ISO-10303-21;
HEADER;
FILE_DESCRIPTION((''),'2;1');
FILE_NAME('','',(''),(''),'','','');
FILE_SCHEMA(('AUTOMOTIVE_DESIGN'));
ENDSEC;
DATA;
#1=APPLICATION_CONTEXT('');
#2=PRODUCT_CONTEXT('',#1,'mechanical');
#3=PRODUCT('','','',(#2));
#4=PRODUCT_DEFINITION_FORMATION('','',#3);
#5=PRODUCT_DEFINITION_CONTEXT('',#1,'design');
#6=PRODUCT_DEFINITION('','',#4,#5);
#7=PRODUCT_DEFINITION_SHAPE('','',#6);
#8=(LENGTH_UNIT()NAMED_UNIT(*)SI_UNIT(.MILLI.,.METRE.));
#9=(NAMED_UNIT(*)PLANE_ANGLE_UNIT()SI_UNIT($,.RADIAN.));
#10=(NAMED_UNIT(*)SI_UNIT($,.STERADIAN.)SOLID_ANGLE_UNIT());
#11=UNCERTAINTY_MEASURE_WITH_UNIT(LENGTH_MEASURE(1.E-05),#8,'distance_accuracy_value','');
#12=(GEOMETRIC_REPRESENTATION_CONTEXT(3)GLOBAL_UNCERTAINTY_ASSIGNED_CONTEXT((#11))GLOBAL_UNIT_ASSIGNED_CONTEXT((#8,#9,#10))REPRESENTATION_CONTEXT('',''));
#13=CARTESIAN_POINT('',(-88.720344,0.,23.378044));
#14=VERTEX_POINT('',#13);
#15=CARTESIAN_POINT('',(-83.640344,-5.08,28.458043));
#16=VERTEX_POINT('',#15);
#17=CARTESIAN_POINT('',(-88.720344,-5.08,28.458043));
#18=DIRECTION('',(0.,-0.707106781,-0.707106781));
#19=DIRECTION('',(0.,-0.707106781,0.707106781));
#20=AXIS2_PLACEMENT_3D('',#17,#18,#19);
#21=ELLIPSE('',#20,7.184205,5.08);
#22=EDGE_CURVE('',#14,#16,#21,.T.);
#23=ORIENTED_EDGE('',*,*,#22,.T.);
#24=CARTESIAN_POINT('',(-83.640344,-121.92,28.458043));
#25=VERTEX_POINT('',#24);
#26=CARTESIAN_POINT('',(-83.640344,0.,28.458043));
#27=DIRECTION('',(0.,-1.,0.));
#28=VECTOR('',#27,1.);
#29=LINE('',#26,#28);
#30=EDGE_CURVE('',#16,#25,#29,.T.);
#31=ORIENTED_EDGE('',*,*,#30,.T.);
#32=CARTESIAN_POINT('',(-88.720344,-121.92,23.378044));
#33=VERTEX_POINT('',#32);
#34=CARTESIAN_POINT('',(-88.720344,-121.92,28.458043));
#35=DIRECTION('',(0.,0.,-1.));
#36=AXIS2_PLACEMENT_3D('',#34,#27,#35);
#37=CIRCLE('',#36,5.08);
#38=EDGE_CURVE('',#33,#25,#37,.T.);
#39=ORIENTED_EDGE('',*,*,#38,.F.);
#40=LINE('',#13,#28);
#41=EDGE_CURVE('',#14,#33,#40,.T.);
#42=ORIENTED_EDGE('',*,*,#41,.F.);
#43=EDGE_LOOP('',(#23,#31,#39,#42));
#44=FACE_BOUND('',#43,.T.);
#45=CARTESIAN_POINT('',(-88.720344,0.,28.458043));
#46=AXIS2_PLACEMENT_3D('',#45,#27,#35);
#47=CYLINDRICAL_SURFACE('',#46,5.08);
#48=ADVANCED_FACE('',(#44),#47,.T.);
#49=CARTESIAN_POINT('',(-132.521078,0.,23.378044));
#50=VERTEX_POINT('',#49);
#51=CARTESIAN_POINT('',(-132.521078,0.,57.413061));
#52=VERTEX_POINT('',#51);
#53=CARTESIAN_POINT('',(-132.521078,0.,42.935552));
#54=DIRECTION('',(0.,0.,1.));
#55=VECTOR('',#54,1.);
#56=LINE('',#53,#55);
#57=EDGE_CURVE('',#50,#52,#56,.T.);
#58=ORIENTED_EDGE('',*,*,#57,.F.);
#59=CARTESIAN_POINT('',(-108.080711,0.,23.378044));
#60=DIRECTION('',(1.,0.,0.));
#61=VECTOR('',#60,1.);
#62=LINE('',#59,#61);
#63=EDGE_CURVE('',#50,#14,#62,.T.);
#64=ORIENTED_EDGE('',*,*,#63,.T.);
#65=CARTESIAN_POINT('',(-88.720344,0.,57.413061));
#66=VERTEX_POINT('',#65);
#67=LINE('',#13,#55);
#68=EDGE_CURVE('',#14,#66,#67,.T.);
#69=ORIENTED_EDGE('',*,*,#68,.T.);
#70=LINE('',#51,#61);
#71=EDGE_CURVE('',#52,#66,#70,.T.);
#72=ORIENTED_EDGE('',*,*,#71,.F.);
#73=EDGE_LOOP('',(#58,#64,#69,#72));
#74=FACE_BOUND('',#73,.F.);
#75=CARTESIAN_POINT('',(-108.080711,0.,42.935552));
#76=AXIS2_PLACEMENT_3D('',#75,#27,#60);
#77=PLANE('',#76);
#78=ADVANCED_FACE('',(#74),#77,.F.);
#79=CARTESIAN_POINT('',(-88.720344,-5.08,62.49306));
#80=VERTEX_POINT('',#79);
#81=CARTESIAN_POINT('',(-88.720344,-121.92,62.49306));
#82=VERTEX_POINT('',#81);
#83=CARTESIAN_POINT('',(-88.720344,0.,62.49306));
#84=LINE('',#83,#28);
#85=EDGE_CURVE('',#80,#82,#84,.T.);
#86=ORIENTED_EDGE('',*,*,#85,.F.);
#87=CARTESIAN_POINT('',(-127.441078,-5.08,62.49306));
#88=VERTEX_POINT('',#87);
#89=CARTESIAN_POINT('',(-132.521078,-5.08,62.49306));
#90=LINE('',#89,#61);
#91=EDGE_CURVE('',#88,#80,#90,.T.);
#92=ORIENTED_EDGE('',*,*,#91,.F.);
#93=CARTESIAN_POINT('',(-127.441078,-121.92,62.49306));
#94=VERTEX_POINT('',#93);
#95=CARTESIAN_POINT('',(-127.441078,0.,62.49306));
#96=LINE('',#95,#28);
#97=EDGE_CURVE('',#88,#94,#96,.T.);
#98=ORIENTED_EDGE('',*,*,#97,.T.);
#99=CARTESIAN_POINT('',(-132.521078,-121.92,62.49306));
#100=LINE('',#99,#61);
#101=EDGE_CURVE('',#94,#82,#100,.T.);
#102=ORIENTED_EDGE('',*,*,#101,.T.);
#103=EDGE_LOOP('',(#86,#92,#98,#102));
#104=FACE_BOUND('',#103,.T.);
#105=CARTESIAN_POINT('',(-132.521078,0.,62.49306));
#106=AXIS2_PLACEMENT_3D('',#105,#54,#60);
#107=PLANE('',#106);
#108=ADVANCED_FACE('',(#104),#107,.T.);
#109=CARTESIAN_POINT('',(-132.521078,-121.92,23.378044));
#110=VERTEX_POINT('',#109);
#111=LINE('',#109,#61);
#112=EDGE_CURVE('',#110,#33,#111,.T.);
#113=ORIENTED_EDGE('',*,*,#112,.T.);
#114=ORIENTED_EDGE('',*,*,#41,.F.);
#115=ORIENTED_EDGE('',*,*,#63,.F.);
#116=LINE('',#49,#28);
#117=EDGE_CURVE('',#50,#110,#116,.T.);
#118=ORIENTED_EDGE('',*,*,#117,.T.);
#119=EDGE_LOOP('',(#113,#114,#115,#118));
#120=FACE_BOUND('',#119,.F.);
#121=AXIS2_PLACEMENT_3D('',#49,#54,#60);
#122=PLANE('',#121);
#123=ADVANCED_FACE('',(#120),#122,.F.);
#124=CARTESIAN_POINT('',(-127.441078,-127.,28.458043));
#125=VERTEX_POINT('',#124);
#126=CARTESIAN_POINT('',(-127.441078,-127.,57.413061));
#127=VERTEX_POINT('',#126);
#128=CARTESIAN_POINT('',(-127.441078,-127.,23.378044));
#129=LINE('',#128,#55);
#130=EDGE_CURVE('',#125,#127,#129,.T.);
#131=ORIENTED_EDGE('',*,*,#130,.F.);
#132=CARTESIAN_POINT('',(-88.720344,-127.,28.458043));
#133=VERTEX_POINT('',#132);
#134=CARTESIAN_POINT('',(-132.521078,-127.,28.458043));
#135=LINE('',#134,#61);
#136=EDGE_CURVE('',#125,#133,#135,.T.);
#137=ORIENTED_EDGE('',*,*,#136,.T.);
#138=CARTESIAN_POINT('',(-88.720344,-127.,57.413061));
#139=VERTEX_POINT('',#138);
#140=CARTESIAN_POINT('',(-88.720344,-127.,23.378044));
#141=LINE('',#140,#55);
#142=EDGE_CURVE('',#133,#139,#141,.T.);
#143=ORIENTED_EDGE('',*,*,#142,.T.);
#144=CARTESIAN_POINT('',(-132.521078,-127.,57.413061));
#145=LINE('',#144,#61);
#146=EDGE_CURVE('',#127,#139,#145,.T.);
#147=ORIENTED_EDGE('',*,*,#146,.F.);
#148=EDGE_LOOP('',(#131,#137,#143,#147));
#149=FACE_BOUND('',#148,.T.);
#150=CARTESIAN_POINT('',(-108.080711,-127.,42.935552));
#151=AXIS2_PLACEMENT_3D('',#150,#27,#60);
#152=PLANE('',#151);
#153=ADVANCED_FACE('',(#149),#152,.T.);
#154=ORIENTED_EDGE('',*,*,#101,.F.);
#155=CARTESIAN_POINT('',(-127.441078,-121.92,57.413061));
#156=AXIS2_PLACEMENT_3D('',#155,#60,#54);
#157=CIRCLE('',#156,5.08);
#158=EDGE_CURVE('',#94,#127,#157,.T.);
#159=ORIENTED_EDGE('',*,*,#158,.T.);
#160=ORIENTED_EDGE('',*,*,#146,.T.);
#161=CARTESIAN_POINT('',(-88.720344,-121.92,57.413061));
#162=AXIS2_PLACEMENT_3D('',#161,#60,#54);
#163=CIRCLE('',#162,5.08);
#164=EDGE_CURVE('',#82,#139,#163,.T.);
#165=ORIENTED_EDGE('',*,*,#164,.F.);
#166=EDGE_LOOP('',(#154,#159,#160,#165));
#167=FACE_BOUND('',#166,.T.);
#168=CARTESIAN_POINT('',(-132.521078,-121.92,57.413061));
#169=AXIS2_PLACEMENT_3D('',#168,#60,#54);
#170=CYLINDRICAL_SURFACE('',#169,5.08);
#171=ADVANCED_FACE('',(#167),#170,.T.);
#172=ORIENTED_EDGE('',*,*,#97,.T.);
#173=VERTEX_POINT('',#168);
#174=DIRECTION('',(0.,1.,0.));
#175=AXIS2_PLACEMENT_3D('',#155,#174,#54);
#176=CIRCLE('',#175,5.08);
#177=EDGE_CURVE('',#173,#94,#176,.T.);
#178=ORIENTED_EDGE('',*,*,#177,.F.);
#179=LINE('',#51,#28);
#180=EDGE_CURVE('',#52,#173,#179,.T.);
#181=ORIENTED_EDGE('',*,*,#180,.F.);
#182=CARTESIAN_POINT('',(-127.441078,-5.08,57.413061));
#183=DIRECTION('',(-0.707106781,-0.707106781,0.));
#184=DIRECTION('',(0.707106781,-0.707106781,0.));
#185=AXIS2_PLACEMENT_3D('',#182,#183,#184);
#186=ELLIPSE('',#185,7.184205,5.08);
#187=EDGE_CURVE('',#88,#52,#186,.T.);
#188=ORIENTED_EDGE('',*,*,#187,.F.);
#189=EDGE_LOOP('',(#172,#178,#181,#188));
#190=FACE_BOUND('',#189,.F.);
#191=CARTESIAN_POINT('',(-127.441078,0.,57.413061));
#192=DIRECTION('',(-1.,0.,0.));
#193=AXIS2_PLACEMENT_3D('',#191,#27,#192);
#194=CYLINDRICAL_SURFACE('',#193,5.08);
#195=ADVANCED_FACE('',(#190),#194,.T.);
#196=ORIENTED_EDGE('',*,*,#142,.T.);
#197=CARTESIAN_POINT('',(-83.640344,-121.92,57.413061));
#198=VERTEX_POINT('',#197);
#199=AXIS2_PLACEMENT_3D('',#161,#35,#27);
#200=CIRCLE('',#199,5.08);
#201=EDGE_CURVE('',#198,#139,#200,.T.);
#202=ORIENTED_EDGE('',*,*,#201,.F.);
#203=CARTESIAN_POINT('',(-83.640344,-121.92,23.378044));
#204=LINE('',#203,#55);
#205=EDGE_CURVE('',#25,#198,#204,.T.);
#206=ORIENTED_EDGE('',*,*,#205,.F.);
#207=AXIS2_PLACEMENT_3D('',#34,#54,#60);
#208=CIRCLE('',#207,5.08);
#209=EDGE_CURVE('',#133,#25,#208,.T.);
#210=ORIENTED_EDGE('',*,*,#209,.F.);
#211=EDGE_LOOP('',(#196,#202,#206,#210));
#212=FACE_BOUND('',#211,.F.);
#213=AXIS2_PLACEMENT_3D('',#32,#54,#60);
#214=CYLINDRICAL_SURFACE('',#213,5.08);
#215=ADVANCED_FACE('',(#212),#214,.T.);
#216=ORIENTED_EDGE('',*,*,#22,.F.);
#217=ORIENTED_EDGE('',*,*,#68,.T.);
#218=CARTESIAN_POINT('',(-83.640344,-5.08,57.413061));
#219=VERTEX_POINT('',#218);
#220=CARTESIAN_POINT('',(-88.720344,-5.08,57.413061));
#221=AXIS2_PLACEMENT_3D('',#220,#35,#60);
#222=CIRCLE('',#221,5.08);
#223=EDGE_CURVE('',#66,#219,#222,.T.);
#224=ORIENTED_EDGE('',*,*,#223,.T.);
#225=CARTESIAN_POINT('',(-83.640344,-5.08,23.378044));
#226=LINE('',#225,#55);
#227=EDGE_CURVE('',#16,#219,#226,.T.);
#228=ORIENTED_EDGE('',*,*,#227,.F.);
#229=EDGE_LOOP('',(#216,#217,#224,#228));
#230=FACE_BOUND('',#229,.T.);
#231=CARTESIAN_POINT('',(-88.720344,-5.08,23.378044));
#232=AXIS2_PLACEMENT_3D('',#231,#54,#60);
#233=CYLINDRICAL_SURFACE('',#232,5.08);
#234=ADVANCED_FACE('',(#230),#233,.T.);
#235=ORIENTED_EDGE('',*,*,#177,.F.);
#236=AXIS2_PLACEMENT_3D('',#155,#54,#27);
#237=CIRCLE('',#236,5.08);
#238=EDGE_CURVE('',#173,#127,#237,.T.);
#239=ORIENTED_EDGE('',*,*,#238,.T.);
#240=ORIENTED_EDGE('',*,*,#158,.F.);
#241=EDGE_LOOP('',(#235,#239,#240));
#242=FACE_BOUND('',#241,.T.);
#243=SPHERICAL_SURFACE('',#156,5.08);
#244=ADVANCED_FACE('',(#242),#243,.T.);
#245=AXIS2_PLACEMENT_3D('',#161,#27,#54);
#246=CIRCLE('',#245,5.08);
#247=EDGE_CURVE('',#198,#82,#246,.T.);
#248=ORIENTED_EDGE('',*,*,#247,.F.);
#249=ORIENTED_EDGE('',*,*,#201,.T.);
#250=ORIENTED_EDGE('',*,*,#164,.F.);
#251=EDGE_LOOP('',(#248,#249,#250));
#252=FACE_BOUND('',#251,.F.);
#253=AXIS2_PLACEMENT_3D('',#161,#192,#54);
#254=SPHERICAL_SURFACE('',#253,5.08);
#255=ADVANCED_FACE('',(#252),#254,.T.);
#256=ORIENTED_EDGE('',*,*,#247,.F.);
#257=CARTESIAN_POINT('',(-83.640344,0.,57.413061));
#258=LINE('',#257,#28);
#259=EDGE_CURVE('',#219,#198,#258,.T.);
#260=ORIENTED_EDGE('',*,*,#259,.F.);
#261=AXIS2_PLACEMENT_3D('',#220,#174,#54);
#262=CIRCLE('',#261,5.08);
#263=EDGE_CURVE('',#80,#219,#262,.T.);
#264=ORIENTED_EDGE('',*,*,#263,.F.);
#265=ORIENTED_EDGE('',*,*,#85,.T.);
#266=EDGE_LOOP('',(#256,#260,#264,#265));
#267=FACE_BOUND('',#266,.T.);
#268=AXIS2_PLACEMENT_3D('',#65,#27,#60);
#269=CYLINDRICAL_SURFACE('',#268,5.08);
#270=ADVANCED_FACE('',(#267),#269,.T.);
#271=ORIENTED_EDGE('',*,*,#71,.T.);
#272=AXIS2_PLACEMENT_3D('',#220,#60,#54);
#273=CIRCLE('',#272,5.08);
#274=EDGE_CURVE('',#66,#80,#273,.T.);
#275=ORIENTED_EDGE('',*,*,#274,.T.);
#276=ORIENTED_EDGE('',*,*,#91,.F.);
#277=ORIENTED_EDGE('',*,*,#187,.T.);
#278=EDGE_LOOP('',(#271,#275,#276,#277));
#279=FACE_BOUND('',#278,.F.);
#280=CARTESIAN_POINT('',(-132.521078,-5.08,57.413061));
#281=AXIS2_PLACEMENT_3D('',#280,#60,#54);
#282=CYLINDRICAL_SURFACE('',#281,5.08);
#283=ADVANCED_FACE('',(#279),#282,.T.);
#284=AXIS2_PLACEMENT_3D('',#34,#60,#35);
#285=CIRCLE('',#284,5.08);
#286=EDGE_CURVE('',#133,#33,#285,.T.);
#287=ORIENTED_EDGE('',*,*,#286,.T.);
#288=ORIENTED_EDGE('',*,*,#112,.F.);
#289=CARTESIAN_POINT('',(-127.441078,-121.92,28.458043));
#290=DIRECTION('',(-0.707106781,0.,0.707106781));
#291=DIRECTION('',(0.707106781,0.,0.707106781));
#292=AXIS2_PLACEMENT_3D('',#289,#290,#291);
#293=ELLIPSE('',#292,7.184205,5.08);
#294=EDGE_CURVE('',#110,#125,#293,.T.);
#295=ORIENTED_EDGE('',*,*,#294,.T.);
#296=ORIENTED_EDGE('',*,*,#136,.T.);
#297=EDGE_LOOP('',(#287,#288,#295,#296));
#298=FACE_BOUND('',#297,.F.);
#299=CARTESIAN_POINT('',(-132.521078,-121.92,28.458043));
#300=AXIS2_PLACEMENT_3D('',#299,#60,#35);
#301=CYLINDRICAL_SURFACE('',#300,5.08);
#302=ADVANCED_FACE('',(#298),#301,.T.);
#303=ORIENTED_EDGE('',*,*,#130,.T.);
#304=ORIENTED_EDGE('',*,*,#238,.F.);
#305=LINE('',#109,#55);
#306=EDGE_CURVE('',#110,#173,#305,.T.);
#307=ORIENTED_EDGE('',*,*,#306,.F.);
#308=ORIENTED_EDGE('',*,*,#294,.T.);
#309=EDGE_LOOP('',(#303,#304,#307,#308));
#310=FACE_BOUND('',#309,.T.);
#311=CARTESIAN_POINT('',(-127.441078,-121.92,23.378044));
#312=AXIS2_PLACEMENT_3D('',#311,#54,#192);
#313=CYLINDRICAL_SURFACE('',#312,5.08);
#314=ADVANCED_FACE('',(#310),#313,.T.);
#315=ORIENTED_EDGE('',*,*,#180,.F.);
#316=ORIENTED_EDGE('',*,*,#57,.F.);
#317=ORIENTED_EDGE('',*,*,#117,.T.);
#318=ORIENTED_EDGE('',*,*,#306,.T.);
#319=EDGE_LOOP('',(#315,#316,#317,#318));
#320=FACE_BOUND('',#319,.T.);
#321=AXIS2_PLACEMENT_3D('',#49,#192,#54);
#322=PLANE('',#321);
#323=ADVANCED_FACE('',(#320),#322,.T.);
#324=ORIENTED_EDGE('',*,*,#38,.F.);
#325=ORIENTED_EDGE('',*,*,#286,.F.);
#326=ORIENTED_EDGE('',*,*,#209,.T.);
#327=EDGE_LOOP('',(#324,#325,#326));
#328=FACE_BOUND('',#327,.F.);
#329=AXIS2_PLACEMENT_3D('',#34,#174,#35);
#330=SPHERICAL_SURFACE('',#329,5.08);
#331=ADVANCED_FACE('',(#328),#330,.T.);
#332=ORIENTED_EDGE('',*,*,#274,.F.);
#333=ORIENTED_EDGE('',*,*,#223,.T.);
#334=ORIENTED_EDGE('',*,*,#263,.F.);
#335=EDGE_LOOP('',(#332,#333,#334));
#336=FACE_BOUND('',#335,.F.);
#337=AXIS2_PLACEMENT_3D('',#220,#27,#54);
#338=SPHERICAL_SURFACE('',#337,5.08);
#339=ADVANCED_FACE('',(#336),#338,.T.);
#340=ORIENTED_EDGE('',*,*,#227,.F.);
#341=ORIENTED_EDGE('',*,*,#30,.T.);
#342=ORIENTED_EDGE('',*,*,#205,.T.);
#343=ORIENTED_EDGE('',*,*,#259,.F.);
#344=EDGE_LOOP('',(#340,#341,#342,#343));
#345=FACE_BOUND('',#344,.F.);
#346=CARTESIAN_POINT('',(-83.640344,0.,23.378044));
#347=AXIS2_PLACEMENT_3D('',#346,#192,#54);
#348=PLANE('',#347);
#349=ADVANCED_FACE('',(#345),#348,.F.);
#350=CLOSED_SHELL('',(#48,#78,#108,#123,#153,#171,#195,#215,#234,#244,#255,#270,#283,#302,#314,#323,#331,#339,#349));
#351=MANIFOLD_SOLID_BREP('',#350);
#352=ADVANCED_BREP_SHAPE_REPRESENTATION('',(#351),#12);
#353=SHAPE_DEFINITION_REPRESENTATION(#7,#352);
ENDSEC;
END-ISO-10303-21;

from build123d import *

# Parameters (mm, degrees)
F0_W     = 48.880734
F0_H     = 39.115017
F1_DEPTH = 127
F2_R     = 5.08


with BuildPart() as f1:
    # F0 (on Front) → F1 (new body)
    with BuildSketch(Plane.XZ):
        with Locations((-108.080711, 42.935552)):
            Rectangle(F0_W, F0_H)
    extrude(amount=F1_DEPTH)

    # F2
    f2_edges = [f1.edges().sort_by_distance(p)[0] for p in [
        (-108.080711, -127, 62.49306),
        (-83.640344, -63.5, 62.49306),
        (-108.080711, 0, 62.49306),
        (-132.521078, -63.5, 62.49306),
        (-83.640344, -63.5, 23.378043),
        (-108.080711, -127, 23.378043),
        (-132.521078, -127, 42.935551),
        (-83.640344, -127, 42.935551),
        (-83.640344, 0, 42.935551),
    ]]
    fillet(f2_edges, radius=F2_R)


solid = f1.part
